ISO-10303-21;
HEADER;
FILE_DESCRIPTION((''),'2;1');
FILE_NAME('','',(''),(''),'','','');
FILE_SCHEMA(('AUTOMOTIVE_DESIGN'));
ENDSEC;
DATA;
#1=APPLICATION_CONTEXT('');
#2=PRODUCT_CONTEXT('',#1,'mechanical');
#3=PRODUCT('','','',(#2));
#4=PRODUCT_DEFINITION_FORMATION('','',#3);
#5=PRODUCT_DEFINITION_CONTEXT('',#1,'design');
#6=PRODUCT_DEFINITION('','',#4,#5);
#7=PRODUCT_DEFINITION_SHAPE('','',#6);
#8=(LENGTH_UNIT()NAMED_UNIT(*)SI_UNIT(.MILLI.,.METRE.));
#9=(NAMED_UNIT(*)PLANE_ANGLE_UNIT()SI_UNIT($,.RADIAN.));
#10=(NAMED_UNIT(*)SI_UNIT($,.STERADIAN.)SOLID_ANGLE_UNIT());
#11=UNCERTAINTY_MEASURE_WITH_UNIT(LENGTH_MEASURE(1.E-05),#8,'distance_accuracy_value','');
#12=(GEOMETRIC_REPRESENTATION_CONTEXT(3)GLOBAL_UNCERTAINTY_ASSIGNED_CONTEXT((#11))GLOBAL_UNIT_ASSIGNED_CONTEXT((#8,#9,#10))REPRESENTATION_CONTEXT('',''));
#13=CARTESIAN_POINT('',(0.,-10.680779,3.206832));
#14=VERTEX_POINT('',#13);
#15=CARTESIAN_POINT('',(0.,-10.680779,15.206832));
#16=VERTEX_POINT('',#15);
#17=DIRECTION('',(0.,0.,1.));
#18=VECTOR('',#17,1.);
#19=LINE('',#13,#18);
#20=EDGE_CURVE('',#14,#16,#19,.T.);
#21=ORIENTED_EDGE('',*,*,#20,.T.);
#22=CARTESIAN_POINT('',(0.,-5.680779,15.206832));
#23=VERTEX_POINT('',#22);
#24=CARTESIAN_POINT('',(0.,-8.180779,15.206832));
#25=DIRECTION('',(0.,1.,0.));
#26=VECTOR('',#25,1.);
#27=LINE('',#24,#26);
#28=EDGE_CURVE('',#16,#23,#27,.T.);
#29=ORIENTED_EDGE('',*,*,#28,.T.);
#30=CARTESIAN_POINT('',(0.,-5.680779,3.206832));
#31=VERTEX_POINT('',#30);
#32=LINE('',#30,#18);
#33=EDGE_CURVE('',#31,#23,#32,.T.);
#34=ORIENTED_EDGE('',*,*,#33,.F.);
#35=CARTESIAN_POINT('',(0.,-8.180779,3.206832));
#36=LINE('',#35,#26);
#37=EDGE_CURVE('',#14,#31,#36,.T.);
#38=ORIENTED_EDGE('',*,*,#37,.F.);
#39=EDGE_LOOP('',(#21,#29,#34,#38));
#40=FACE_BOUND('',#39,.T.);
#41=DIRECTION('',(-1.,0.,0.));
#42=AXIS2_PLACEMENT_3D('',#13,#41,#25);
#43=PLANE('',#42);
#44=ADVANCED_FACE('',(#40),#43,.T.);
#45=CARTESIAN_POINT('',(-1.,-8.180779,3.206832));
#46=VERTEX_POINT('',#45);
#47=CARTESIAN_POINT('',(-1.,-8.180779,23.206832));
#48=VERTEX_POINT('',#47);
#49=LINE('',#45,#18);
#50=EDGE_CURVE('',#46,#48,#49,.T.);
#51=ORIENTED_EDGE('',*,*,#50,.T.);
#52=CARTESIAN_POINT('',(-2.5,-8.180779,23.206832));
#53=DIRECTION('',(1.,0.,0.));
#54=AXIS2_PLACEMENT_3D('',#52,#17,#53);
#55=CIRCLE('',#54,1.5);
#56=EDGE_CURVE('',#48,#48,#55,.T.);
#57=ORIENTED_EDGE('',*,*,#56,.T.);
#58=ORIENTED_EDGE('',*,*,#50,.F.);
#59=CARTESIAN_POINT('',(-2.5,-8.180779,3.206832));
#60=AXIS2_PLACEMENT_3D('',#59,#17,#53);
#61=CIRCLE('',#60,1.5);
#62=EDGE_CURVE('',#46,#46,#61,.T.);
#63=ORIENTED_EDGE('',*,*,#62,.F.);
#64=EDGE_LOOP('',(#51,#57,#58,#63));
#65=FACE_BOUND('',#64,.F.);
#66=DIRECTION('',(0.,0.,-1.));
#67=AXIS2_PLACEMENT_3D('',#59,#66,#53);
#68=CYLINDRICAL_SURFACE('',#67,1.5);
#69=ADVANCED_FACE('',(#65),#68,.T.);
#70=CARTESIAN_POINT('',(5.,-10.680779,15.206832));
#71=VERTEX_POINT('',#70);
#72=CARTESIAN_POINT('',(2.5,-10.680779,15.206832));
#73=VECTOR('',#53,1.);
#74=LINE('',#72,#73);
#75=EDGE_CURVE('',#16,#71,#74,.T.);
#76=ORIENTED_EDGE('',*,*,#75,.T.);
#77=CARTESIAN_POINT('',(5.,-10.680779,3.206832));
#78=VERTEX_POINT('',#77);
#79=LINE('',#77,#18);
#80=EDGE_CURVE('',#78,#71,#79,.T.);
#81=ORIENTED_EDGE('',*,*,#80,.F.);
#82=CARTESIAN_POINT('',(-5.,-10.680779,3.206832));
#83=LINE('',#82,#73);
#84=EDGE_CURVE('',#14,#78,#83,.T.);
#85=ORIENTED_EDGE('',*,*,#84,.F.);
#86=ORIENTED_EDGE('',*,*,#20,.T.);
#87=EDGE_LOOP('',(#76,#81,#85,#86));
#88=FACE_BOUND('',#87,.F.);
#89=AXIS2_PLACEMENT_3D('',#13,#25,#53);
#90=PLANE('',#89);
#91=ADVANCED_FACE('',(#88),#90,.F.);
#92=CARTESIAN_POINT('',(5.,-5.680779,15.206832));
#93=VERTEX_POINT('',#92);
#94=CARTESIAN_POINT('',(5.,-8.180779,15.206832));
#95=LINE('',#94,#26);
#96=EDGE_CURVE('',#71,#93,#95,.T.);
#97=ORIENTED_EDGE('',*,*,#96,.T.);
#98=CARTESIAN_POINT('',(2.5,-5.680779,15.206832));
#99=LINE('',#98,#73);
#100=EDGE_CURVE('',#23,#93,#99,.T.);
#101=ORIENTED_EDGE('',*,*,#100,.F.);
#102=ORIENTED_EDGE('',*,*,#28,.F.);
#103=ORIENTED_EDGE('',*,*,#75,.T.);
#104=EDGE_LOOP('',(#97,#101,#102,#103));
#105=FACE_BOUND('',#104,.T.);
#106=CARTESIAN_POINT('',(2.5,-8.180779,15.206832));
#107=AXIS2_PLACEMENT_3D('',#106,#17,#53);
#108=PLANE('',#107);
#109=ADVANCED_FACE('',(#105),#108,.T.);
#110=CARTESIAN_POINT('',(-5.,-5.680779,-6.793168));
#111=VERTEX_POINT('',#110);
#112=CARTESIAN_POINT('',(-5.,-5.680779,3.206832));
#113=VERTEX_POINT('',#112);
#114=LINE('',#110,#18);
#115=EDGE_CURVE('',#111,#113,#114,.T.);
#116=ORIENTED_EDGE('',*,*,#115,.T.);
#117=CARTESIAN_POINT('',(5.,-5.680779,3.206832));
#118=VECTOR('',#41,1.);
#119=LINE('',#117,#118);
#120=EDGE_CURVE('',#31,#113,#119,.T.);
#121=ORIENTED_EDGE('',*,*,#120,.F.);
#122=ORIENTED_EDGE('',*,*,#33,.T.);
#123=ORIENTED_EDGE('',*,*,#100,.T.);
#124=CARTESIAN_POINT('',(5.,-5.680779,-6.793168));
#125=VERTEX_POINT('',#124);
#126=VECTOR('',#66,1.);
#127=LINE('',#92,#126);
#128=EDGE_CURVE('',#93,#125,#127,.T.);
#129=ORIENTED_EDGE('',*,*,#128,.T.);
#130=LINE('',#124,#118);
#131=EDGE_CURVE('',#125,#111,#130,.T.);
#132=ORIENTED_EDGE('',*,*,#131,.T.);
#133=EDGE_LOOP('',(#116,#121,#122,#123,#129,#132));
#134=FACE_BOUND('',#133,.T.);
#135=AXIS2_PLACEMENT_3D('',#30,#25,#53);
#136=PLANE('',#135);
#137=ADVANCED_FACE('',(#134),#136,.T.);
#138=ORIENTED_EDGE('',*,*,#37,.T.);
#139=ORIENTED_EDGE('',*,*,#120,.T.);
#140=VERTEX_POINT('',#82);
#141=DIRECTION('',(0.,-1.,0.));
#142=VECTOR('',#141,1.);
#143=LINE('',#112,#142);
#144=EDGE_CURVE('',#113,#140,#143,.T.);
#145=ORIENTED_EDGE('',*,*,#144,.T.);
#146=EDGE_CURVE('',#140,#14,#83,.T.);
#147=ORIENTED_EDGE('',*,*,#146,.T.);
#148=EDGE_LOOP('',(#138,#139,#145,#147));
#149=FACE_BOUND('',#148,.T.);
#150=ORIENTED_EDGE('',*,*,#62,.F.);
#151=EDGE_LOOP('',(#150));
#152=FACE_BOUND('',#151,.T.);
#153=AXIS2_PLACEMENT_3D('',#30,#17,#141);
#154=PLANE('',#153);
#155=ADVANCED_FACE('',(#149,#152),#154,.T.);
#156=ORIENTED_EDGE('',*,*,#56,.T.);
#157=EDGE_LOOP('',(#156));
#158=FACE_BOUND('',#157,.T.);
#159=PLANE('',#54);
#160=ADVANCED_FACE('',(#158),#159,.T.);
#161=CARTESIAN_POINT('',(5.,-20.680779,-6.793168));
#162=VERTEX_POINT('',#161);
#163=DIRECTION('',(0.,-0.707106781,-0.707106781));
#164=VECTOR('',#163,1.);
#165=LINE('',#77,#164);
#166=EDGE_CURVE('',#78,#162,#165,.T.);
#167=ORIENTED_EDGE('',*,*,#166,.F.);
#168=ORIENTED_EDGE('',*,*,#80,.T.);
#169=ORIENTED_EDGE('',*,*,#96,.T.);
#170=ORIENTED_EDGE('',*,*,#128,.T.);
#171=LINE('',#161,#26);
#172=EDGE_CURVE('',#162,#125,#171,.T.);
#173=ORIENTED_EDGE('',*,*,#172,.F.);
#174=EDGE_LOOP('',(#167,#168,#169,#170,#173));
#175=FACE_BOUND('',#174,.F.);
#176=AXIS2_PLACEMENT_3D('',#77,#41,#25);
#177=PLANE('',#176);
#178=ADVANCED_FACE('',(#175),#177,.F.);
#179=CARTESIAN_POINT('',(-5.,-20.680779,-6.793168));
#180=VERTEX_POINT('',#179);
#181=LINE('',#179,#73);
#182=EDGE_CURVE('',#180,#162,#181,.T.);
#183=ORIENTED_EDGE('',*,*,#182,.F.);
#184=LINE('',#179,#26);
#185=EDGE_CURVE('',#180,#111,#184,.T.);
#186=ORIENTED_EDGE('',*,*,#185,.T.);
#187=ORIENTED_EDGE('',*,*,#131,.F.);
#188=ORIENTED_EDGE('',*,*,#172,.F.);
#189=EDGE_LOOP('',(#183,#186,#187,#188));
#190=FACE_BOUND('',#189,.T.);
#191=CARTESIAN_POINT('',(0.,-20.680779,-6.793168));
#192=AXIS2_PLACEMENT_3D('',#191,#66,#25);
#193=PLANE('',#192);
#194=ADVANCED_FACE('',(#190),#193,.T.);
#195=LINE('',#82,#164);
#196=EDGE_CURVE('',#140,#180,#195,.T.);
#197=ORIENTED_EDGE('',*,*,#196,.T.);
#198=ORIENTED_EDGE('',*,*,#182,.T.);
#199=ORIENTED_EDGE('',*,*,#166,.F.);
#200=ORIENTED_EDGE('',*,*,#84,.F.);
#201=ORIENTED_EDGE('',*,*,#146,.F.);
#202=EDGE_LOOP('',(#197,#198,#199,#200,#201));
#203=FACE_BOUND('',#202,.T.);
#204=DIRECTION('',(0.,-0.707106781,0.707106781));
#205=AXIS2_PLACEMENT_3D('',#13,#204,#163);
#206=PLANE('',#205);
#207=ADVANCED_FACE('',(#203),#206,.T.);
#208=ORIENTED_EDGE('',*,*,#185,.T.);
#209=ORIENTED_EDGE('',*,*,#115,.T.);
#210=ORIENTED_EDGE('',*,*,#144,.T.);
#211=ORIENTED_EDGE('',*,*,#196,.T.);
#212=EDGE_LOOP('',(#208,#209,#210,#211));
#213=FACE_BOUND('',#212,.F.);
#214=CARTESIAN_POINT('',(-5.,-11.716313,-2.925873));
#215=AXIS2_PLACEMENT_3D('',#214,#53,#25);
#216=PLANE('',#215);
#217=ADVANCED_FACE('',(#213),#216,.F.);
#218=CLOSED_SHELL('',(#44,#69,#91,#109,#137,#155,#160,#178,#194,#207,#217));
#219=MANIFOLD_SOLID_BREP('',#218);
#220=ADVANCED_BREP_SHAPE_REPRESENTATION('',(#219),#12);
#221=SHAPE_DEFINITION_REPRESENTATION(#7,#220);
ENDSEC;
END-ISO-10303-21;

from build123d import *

# Parameters (mm, degrees)
F1_DEPTH = 5
F2_W     = 5
F2_H     = 5
F3_DEPTH = 12
F4_R     = 1.5
F5_DEPTH = 20


with BuildPart() as f1:
    # F0 (on Right) → F1 (new body, symmetric)
    with BuildSketch(Plane.YZ):
        Polygon((-5.680779, 3.206832), (-10.680779, 3.206832), (-20.680779, -6.793168), (-5.680779, -6.793168), align=None)
    extrude(amount=F1_DEPTH, both=True)

    # F2 (on face) → F3 (join)
    with BuildSketch(Plane.XY.offset(3.206832)):
        with Locations((2.5, -8.180779)):
            Rectangle(F2_W, F2_H)
    extrude(amount=F3_DEPTH)

    # F4 (on face) → F5 (join)
    with BuildSketch(Plane.XY.offset(3.206832)):
        with Locations((-2.5, -8.180779)):
            Circle(F4_R)
    extrude(amount=F5_DEPTH)


solid = f1.part
